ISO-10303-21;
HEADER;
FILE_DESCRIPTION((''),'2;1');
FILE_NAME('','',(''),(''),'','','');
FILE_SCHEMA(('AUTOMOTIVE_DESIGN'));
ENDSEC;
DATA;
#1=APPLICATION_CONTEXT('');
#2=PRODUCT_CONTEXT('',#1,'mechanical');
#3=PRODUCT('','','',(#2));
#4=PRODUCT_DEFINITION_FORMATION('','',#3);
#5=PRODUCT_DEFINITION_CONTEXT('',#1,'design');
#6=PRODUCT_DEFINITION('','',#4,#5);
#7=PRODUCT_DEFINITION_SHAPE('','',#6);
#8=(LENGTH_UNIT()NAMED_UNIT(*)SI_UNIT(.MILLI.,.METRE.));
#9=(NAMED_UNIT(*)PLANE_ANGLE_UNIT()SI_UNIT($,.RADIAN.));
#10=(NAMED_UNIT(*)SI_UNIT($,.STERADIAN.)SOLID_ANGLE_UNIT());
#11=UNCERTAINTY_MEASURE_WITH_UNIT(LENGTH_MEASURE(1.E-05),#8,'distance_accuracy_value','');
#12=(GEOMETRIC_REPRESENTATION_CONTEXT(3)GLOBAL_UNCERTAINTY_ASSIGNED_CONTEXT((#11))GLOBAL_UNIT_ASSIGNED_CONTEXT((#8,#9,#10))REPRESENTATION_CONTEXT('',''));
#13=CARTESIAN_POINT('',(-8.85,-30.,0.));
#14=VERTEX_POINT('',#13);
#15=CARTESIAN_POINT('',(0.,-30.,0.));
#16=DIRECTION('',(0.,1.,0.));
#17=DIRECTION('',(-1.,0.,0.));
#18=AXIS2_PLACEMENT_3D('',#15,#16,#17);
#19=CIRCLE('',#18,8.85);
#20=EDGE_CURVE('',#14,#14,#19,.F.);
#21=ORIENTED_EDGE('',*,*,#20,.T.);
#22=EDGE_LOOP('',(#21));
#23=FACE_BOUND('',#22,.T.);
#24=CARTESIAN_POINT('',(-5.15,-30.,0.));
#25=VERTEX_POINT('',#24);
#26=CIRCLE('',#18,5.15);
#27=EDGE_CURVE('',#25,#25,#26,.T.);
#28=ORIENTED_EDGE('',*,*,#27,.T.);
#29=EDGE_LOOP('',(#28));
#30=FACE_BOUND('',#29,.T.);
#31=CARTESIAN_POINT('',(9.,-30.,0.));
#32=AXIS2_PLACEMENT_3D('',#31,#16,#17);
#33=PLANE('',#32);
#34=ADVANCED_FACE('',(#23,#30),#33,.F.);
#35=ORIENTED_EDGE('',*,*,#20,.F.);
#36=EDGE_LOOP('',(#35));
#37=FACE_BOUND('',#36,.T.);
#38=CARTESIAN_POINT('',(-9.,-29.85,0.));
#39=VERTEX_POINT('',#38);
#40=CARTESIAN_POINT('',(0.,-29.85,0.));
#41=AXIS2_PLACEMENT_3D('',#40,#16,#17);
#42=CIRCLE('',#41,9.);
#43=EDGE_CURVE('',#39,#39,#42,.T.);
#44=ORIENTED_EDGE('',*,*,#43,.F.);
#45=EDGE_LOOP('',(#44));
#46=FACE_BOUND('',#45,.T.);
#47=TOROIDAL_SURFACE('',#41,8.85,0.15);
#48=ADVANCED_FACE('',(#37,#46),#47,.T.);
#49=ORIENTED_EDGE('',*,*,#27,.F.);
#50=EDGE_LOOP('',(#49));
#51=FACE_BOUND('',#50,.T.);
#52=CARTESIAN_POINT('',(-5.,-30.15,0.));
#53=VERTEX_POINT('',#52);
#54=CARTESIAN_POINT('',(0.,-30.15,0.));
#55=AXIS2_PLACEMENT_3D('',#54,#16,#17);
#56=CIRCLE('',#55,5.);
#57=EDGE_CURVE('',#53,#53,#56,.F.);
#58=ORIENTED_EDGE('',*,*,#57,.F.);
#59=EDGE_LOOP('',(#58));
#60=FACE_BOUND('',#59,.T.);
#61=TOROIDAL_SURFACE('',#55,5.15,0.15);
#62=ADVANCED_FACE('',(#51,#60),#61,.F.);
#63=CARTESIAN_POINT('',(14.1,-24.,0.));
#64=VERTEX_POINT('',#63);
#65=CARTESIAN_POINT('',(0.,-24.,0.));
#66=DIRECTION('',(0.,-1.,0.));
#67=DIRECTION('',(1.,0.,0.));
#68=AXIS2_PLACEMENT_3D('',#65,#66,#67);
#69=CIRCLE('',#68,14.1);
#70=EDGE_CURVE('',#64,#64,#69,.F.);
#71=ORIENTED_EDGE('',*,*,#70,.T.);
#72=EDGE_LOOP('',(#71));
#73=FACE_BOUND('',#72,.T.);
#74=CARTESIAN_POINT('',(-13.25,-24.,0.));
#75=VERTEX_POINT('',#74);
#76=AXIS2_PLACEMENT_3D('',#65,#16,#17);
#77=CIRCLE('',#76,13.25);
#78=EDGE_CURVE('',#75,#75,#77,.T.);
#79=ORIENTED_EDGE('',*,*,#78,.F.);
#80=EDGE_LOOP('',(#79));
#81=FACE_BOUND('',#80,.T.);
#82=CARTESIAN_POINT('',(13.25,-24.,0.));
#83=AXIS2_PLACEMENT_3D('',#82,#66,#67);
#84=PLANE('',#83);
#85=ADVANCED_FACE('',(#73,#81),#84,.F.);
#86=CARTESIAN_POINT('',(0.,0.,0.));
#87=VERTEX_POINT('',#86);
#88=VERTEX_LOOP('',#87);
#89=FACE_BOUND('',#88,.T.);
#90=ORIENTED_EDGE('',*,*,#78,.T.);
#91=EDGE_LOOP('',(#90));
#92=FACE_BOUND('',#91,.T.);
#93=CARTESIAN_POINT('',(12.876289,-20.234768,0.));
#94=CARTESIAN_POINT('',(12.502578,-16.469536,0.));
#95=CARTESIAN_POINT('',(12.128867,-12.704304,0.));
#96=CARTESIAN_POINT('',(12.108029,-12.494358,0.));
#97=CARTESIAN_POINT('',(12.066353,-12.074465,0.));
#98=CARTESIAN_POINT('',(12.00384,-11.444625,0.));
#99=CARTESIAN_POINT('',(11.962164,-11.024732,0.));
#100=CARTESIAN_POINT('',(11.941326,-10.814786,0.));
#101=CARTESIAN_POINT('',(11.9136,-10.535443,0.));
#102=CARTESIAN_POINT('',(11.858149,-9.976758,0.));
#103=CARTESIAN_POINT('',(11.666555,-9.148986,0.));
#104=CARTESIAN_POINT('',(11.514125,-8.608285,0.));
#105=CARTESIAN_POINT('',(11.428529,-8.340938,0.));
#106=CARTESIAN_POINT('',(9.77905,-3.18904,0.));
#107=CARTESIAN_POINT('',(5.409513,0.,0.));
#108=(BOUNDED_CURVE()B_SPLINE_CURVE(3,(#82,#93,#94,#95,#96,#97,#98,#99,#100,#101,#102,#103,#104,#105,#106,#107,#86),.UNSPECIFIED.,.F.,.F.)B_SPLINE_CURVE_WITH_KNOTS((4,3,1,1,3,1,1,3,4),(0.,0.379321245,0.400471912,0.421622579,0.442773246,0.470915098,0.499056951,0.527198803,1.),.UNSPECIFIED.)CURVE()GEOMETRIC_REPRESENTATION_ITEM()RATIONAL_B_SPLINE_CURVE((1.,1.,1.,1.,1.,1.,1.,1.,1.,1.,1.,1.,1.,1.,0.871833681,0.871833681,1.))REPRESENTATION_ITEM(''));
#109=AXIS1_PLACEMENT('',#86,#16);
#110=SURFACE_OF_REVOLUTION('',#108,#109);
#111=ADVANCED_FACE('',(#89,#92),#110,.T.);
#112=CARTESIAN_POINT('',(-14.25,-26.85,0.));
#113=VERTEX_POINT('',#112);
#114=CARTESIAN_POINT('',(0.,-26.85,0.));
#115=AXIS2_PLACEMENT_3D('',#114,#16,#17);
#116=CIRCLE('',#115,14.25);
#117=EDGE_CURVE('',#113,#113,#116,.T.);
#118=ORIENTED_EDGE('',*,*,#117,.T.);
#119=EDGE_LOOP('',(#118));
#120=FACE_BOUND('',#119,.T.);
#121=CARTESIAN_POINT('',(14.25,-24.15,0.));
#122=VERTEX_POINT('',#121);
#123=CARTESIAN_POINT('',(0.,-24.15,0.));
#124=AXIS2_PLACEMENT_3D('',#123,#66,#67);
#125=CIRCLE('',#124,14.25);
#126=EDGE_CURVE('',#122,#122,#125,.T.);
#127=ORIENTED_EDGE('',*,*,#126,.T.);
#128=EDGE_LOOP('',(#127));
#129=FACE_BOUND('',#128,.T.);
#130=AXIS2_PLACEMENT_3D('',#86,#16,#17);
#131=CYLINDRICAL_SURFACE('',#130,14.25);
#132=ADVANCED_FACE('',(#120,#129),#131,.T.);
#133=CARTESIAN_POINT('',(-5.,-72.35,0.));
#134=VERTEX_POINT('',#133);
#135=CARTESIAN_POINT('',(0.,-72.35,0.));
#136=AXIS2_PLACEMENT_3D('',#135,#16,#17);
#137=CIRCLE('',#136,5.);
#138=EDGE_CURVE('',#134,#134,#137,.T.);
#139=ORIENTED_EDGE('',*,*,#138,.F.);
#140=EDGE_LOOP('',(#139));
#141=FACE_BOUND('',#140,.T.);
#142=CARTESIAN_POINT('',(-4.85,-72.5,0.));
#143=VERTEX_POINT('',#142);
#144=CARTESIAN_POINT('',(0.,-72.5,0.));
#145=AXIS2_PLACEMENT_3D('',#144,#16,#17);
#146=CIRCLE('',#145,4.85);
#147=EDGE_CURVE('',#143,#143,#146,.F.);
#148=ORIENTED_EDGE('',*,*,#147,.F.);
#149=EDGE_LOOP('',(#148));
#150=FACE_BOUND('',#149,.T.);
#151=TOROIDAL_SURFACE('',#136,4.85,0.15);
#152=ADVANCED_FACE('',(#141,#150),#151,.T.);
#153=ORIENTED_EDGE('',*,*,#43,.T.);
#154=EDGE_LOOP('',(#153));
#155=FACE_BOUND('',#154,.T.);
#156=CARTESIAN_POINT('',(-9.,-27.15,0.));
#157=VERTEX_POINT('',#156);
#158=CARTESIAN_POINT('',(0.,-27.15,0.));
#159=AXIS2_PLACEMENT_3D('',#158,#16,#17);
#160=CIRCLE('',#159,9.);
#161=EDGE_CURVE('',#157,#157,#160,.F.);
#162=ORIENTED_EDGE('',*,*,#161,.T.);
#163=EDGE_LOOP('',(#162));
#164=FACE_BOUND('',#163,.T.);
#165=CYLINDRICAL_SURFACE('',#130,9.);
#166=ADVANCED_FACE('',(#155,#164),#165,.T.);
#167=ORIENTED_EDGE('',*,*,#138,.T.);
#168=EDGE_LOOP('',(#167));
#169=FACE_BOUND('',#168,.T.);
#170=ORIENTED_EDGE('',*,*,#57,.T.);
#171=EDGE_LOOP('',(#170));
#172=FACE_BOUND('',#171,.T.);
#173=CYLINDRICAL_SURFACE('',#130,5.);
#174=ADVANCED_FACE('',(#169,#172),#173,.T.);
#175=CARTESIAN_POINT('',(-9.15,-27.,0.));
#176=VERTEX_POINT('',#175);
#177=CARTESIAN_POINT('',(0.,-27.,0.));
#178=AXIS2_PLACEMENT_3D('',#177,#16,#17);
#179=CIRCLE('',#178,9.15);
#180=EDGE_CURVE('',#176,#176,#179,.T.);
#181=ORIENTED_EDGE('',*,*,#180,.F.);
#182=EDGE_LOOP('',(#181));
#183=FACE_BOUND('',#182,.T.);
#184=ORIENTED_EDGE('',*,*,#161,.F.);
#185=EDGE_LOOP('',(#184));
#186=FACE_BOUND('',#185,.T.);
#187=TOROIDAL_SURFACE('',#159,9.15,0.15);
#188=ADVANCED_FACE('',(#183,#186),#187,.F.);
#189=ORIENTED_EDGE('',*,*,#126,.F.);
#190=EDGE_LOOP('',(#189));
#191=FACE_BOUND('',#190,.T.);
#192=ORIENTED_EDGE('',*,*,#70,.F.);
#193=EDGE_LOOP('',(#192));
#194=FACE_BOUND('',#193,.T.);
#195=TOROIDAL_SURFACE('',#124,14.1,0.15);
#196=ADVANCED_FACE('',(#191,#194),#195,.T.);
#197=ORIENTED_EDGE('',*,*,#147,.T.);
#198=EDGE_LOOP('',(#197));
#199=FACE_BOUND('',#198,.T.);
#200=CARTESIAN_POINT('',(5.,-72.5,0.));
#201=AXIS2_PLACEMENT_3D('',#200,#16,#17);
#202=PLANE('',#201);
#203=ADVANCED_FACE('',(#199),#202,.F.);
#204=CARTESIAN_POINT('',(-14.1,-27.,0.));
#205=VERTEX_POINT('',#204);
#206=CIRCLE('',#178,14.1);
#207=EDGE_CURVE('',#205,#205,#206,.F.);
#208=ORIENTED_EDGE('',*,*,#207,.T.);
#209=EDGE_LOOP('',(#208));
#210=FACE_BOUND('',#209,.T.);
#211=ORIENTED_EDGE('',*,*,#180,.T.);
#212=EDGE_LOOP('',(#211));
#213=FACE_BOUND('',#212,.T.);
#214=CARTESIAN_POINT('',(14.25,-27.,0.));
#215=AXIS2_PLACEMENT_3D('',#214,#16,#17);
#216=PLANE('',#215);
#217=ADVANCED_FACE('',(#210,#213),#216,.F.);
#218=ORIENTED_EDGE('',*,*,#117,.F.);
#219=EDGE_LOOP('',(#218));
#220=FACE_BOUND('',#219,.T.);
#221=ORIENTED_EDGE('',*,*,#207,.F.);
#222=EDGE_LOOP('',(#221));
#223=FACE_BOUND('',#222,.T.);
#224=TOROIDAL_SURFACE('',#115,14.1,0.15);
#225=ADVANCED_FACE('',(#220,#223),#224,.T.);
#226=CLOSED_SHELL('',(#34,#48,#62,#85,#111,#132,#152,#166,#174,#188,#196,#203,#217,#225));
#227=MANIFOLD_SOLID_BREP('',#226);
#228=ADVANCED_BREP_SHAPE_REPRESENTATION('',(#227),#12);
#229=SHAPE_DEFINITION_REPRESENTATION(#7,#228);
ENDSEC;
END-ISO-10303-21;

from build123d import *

# Parameters (mm, degrees)
FILLET2_R = 0.15


with BuildPart() as part:
    # Sketch1 → Revolve1 (revolve)
    with BuildSketch(Plane.XY, mode=Mode.PRIVATE) as revolve1_sk:
        with BuildLine():
            Line((0, 0), (0, -72.5))
            Line((0, -72.5), (5, -72.5))
            Line((5, -72.5), (5, -30))
            Line((5, -30), (9, -30))
            Line((9, -30), (9, -27))
            Line((9, -27), (14.25, -27))
            Line((14.25, -27), (14.25, -24))
            Line((14.25, -24), (13.25, -24))
            add(Edge.make_bspline(
                [(13.25, -24), (12.876288893, -20.234768096), (12.502577786, -16.469536192), (12.12886668, -12.704304288), (12.10802883, -12.494357794), (12.06635313, -12.074464806), (12.003839581, -11.444625323), (11.962163881, -11.024732334), (11.941326032, -10.81478584), (11.913600396, -10.535443194), (11.858149124, -9.976757903), (11.666555139, -9.148985732), (11.514124842, -8.608285073), (11.428528654, -8.340938262), (9.779050122, -3.189040311), (5.409513095, 0), (0, 0)],
                knots=[0, 0, 0, 0, 0.379321245, 0.379321245, 0.379321245, 0.400471912, 0.421622579, 0.442773246, 0.442773246, 0.442773246, 0.470915098, 0.499056951, 0.527198803, 0.527198803, 0.527198803, 1, 1, 1, 1], degree=3, weights=[1, 1, 1, 1, 1, 1, 1, 1, 1, 1, 1, 1, 1, 1, 0.871833681, 0.871833681, 1]))
        make_face()
    revolve(revolve1_sk.sketch.rotate(Axis((0, 0, 0), (0, -1, 0)), 180), axis=Axis((0, 0, 0), (0, -1, 0)))

    # Fillet2
    fillet2_edges = [part.edges().sort_by_distance(p)[0] for p in [
        (5, -72.5, 0),
        (5, -30, 0),
        (9, -30, 0),
        (9, -27, 0),
        (14.25, -27, 0),
        (14.25, -24, 0),
    ]]
    fillet(fillet2_edges, radius=FILLET2_R)


solid = part.part
